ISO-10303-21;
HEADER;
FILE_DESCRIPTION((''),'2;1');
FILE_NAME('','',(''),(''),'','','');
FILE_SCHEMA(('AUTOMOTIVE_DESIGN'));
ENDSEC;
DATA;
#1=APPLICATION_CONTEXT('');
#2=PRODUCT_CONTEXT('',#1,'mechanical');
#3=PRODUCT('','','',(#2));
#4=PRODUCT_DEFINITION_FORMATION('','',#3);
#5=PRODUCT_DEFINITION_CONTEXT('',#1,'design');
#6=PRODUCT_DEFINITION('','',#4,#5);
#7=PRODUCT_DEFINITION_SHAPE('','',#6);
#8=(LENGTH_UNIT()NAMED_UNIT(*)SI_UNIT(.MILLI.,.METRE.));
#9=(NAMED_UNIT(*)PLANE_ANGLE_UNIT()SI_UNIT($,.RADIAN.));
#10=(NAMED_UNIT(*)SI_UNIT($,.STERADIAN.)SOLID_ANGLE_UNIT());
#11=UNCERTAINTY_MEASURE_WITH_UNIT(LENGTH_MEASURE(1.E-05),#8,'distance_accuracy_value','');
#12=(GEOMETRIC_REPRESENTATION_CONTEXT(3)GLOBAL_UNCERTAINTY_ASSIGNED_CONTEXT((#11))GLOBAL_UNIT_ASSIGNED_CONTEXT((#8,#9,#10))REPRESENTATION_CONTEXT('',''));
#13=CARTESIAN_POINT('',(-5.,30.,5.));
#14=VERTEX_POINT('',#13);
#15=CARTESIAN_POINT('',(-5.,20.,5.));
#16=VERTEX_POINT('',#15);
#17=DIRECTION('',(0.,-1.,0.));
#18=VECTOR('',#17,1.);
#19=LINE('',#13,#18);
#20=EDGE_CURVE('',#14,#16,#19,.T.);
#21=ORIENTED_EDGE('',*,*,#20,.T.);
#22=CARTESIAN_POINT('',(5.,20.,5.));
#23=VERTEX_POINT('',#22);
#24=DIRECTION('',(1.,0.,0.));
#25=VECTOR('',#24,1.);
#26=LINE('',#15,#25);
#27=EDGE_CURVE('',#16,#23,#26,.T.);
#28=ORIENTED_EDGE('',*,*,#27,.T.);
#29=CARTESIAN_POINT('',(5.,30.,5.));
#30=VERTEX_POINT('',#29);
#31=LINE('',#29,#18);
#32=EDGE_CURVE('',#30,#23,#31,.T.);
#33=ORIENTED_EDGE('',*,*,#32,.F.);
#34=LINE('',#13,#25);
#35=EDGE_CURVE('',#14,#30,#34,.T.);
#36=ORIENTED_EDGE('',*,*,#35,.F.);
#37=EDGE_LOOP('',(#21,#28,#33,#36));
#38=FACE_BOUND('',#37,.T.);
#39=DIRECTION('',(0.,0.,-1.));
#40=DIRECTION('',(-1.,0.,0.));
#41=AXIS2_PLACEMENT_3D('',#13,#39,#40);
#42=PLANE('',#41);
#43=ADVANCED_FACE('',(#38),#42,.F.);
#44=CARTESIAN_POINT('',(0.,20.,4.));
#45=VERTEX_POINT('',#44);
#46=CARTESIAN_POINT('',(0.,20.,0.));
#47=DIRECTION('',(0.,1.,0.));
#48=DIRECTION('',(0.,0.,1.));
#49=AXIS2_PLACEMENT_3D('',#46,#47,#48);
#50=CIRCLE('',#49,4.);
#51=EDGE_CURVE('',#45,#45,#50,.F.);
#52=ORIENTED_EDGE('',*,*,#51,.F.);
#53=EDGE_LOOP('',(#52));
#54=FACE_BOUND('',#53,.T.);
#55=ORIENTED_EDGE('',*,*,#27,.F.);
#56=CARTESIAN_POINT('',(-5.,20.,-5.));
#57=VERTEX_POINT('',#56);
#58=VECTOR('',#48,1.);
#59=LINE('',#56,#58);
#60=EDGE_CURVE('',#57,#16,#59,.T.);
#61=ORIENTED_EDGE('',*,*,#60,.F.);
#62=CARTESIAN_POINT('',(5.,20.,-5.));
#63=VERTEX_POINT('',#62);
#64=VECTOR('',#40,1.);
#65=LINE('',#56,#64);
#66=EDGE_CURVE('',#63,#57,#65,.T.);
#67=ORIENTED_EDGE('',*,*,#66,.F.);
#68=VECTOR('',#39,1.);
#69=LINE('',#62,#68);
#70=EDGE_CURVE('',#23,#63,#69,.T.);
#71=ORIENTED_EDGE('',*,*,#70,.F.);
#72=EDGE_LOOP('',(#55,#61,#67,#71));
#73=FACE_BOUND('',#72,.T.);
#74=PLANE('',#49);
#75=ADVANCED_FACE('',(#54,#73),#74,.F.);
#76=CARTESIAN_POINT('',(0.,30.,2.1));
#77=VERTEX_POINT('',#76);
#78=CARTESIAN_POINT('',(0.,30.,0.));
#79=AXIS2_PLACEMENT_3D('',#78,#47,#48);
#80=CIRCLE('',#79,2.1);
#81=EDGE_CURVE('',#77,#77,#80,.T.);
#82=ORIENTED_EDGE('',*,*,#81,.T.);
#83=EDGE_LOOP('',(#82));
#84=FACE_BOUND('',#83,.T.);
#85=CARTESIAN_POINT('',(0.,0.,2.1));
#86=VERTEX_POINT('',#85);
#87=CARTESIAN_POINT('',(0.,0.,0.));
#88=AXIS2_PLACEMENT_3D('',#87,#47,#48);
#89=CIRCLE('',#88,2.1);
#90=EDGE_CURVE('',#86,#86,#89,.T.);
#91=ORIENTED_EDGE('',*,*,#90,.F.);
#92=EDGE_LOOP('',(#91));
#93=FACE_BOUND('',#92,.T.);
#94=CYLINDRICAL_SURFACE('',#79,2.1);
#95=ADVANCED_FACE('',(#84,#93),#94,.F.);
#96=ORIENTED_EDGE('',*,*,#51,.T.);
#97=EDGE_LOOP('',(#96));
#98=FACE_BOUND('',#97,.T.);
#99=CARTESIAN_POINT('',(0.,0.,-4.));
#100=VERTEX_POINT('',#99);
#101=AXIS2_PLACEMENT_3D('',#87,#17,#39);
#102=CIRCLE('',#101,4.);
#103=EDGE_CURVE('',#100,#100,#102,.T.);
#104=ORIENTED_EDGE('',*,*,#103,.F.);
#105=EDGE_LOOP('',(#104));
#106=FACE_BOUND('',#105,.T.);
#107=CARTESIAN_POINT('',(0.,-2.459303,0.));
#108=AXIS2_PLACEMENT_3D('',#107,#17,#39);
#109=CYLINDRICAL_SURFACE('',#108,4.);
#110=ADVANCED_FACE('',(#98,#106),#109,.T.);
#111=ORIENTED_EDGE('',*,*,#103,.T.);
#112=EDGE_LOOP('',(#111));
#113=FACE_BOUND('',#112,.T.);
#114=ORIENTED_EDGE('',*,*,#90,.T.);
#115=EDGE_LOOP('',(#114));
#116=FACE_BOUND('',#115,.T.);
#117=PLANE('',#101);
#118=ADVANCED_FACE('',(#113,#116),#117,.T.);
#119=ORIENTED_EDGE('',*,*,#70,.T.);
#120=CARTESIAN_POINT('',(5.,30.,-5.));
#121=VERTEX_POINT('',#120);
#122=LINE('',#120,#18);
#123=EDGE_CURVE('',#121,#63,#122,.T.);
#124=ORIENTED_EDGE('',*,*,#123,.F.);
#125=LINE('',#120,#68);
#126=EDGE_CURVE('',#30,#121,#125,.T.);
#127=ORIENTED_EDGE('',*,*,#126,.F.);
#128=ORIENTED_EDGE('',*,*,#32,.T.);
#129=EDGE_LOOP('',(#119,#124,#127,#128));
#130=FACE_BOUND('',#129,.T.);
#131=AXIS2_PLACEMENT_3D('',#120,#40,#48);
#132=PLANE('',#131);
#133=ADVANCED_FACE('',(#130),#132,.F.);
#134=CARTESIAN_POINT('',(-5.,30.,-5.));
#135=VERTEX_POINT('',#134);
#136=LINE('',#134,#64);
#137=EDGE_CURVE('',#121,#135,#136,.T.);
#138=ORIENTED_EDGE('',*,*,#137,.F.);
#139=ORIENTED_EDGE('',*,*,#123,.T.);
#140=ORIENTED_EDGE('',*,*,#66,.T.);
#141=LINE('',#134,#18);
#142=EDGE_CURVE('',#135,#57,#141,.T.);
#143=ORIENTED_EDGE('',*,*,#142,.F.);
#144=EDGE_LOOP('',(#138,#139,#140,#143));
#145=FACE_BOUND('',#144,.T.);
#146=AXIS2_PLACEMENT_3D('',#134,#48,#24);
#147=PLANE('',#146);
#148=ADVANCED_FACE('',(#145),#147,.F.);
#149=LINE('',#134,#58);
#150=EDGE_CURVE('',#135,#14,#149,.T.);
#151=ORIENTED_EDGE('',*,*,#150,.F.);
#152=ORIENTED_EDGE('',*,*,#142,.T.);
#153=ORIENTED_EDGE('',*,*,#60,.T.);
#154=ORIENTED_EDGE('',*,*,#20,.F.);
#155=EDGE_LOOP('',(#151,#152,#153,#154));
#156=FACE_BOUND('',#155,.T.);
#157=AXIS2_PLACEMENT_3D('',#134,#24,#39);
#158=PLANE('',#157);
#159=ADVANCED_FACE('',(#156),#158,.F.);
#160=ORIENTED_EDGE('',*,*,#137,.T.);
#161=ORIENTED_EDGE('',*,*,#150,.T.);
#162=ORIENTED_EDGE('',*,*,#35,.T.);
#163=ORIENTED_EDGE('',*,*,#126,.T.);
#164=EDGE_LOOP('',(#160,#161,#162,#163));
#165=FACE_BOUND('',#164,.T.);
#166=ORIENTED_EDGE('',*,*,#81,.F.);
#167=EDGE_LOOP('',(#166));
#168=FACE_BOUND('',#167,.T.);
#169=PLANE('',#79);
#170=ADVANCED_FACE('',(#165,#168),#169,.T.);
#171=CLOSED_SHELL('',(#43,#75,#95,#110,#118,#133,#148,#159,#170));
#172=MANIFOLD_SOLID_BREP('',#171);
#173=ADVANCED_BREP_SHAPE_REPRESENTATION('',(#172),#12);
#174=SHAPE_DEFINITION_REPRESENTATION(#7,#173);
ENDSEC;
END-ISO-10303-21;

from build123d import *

# Parameters (mm, degrees)
SKIZZE1_W                       = 4
SKIZZE1_H                       = 20
SKIZZE5_W                       = 10
SKIZZE5_H                       = 10
AUFSATZ_LINEAR_AUSTRAGEN1_DEPTH = 10
M5_GEWINDEBOHRUNG2_D            = 4.2


with BuildPart() as part:
    # Skizze1 → Rotation1 (revolve)
    with BuildSketch(Plane.XY, mode=Mode.PRIVATE) as rotation1_sk:
        with Locations((2, 10)):
            Rectangle(SKIZZE1_W, SKIZZE1_H)
    revolve(rotation1_sk.sketch.rotate(Axis((0, -2.459302686, 0), (0, 1, 0)), 90), axis=Axis((0, -2.459302686, 0), (0, 1, 0)))

    # Skizze5 → Aufsatz-Linear austragen1 (add)
    with BuildSketch(Plane(origin=(0, 20, 0), x_dir=(1, 0, 0), z_dir=(0, 1, 0))):
        Rectangle(SKIZZE5_W, SKIZZE5_H)
    extrude(amount=AUFSATZ_LINEAR_AUSTRAGEN1_DEPTH)

    # M5 Gewindebohrung2 (through all)
    with Locations(Plane(origin=(0, 30, 0), x_dir=(1, 0, 0), z_dir=(0, 1, 0))):
        with Locations((0, 0)):
            Hole(M5_GEWINDEBOHRUNG2_D / 2)


solid = part.part
